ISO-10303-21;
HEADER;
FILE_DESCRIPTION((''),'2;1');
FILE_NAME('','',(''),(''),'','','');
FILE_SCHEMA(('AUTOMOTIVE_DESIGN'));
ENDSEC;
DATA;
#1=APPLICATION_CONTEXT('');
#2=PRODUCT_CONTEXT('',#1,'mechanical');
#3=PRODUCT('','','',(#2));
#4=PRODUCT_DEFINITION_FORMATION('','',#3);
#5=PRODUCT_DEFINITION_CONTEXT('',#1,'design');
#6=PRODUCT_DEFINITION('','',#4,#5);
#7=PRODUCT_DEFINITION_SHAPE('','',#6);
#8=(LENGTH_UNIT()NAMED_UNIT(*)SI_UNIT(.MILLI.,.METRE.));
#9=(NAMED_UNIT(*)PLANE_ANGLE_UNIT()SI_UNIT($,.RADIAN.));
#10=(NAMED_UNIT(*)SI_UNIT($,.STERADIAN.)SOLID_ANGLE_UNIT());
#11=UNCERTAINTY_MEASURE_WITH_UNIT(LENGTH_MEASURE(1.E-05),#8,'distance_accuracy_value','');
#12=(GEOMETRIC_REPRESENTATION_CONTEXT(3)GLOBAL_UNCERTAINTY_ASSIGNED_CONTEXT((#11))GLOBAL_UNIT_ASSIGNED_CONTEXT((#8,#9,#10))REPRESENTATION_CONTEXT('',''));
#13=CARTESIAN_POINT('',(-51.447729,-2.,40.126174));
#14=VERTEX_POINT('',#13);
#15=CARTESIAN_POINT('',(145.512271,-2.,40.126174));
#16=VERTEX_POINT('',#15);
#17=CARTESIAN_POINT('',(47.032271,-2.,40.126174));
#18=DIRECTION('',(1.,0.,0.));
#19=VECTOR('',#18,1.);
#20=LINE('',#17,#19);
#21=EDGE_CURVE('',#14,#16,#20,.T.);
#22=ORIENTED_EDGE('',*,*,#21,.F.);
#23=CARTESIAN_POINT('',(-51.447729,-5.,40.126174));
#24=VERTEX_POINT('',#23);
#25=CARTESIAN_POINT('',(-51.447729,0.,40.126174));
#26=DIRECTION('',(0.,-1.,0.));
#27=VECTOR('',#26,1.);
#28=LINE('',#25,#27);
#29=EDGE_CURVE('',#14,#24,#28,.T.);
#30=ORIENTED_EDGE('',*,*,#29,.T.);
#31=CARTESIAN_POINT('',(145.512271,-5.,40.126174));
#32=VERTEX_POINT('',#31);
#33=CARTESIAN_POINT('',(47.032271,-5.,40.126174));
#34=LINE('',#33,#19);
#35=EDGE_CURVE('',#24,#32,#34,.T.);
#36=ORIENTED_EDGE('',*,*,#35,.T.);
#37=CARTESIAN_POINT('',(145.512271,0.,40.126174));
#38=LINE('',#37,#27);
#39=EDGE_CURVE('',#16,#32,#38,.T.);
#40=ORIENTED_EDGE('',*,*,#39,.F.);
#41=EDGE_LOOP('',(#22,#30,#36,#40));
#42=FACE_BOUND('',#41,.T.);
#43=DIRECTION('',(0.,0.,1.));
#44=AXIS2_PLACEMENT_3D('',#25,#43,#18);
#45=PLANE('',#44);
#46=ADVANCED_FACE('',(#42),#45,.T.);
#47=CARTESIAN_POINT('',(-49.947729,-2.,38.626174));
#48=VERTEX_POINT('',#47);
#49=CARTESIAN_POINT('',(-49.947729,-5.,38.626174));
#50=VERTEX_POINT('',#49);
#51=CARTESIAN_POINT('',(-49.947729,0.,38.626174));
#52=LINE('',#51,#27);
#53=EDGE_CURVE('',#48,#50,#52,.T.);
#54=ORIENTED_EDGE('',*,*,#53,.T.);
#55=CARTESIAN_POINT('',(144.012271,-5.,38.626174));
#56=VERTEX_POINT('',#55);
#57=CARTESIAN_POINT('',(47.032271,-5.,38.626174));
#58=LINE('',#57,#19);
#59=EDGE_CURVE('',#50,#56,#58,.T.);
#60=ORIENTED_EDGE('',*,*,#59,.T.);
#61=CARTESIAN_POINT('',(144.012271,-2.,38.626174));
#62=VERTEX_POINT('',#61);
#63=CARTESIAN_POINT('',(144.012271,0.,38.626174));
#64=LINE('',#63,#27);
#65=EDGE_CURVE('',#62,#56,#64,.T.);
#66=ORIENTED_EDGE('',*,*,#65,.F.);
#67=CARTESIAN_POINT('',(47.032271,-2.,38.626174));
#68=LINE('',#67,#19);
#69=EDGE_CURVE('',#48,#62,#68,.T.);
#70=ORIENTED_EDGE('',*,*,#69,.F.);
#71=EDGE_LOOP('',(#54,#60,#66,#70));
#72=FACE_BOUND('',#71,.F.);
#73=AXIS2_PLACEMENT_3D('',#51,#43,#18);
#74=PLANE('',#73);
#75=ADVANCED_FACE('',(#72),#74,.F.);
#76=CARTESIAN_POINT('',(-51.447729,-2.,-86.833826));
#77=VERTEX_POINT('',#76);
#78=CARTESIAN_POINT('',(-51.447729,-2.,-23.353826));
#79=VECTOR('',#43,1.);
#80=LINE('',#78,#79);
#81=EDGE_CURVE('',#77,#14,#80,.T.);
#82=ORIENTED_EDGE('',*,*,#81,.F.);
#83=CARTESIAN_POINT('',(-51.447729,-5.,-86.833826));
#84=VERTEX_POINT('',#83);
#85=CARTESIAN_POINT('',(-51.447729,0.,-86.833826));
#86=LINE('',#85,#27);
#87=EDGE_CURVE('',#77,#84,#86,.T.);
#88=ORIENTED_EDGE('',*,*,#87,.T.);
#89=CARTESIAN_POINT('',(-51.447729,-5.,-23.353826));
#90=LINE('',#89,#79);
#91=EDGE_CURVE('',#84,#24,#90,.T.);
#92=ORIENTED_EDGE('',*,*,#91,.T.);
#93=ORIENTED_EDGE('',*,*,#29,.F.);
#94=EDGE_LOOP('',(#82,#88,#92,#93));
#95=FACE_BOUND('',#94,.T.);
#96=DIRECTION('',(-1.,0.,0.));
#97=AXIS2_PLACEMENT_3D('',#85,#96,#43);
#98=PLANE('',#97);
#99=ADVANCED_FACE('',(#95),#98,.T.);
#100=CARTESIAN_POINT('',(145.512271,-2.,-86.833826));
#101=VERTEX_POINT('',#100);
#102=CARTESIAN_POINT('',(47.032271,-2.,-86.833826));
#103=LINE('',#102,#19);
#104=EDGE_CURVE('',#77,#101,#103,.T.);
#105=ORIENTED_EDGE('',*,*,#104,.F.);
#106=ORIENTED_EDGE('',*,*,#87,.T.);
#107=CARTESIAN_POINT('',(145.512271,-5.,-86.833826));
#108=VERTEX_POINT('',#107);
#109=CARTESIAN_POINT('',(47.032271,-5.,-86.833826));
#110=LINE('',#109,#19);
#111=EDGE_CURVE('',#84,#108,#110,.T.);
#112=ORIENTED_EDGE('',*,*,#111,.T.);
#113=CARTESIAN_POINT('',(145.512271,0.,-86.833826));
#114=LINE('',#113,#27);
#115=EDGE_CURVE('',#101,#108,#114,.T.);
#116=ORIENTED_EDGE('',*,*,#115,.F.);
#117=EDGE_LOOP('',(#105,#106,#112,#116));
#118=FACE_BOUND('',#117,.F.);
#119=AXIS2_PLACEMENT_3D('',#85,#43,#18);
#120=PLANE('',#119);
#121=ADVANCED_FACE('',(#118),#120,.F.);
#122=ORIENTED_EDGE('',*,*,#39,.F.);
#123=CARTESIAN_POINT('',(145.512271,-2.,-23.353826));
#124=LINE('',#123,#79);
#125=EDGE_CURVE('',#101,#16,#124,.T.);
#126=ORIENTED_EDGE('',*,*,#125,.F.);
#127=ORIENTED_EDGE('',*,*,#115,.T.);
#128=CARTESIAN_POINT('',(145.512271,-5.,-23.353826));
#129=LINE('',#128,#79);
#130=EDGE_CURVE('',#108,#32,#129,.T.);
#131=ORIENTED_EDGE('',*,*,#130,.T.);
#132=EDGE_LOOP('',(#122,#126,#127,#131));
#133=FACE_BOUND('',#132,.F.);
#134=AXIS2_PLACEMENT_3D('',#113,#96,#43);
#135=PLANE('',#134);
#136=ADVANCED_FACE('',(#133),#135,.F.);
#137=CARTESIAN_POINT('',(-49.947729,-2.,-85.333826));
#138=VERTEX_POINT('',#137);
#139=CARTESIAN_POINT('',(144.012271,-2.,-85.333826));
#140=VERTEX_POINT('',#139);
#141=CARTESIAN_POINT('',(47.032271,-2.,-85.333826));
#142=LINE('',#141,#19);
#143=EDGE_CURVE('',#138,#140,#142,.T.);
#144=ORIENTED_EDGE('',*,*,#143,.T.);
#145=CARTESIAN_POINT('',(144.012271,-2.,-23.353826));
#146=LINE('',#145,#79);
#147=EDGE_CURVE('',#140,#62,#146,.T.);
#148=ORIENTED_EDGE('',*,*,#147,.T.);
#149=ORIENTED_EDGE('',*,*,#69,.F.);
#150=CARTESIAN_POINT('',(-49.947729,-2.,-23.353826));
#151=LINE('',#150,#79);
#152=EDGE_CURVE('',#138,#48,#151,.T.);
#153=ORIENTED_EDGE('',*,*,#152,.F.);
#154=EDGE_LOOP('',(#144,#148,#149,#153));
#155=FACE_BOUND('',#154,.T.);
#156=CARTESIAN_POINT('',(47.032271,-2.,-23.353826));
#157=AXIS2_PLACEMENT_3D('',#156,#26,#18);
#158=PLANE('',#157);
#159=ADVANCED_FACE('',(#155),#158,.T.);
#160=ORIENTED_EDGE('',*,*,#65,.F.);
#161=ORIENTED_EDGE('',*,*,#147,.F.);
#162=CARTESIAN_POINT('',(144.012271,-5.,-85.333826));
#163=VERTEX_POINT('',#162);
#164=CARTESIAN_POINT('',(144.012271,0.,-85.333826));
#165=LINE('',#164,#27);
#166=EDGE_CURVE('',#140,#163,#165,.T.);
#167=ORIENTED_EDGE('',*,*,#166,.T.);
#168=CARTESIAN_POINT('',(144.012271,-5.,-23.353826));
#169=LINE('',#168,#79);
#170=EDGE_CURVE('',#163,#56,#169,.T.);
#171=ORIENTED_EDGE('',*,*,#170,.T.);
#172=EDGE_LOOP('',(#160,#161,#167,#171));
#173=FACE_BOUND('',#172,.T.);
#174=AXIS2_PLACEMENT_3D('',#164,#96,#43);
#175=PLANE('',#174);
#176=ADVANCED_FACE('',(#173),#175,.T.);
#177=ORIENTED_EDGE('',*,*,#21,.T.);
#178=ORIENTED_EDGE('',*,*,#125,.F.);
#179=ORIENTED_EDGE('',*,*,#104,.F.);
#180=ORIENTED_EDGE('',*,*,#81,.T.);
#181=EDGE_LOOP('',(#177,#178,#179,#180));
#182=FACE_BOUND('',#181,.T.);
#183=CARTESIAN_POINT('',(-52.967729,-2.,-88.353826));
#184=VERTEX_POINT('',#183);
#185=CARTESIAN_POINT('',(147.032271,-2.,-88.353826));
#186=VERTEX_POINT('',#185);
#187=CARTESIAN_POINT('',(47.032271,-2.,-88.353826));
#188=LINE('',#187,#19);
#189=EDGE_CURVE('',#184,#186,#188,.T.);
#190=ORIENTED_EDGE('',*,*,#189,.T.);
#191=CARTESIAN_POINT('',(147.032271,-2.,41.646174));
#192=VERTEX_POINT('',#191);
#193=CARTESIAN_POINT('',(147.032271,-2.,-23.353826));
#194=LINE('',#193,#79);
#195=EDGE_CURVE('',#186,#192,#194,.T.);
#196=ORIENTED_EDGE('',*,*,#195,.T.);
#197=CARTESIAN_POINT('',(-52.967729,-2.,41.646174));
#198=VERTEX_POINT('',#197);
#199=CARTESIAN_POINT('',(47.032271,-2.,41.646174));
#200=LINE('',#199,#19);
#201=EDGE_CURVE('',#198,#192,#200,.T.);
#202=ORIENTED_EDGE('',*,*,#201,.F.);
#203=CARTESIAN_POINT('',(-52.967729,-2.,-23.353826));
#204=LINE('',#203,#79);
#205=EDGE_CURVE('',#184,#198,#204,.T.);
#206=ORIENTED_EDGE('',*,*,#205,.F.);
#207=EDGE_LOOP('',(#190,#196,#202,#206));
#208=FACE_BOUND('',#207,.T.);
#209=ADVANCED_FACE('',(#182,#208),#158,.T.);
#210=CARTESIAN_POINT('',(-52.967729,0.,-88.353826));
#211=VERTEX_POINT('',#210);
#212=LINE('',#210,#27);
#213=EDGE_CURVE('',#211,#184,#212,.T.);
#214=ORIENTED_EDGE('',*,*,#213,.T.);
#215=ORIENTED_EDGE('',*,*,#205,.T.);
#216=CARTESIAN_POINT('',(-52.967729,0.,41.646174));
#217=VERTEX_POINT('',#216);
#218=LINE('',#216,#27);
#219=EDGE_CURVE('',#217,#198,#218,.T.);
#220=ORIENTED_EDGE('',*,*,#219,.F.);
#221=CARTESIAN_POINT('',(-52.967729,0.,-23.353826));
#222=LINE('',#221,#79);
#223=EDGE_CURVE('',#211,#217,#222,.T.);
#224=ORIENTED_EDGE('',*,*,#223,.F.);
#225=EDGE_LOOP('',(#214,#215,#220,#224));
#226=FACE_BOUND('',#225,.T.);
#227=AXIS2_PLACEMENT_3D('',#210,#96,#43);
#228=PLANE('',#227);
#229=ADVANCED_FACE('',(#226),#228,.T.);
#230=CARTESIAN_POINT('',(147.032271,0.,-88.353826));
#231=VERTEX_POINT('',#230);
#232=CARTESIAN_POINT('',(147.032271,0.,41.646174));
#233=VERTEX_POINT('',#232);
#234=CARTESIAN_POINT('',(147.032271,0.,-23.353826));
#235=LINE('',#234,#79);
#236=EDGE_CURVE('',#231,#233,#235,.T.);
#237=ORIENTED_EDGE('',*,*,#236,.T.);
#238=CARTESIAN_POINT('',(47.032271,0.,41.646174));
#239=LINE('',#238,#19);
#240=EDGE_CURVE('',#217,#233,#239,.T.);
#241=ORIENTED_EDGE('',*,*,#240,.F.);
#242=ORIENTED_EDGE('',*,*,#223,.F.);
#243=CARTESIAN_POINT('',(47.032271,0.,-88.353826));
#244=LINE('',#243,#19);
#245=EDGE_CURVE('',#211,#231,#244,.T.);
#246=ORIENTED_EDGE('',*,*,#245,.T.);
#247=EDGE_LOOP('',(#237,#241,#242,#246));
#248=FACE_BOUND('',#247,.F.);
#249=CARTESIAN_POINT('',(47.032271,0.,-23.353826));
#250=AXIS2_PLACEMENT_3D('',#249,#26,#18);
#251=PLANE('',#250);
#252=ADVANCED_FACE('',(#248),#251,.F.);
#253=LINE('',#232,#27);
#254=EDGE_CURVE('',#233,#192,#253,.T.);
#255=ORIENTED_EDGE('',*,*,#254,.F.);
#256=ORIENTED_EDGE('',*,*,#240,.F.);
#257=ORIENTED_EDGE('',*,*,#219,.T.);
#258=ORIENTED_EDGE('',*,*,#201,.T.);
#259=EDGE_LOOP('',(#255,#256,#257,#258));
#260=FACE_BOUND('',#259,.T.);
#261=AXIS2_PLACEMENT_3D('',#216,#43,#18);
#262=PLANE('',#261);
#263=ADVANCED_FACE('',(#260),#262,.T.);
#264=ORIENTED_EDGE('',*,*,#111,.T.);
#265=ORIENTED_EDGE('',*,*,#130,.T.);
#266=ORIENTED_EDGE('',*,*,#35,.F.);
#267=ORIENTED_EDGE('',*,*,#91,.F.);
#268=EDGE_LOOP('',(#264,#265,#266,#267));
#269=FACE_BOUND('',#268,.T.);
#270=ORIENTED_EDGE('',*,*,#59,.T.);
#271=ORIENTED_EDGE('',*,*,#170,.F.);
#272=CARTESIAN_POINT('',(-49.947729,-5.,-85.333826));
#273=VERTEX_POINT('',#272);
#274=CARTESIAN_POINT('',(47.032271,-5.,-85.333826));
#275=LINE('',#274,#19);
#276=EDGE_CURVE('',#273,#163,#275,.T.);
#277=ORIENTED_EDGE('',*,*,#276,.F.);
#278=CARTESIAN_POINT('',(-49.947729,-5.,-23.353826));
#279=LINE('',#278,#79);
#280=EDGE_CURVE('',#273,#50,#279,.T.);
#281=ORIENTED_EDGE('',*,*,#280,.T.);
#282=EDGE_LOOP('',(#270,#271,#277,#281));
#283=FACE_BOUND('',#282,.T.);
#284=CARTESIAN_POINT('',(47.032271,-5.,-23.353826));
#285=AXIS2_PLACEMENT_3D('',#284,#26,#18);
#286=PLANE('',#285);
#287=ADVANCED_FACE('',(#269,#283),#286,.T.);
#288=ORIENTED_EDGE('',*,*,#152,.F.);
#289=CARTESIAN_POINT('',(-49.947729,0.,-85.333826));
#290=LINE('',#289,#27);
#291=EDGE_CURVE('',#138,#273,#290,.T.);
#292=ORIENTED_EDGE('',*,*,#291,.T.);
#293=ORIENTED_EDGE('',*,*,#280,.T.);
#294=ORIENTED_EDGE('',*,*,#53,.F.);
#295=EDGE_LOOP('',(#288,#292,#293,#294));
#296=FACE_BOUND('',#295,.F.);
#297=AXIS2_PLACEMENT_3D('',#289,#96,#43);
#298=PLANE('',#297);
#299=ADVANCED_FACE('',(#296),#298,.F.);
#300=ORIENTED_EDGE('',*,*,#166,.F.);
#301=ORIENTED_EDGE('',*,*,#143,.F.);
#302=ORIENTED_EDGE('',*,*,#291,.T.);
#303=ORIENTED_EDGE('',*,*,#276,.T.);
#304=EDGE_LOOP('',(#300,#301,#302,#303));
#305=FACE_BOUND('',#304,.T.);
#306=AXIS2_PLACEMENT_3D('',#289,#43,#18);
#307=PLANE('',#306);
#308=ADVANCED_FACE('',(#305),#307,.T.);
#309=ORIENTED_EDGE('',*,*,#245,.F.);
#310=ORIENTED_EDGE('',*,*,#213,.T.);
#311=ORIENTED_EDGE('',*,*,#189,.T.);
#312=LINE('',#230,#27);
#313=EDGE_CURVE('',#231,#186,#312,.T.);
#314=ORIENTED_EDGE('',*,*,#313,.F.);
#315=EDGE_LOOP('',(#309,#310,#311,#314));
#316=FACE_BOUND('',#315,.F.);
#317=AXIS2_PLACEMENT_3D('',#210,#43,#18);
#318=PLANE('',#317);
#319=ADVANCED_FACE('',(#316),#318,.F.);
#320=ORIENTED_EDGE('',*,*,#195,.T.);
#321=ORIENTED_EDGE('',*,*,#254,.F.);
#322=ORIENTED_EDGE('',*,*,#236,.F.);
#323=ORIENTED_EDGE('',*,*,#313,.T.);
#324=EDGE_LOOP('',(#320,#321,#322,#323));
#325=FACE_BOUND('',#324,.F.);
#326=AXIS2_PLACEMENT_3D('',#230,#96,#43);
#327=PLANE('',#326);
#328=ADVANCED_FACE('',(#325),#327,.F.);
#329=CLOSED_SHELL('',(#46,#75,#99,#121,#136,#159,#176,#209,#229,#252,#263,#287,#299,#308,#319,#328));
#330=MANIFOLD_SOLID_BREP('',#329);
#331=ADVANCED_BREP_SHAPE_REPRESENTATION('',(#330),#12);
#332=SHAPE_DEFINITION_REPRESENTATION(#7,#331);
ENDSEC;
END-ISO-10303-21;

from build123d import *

# Parameters (mm, degrees)
F0_W     = 196.96
F0_H     = 126.96
F0_W_2   = 193.96
F0_H_2   = 123.96
F1_DEPTH = 5
F0_W_3   = 200
F0_H_3   = 130
F2_DEPTH = 2


with BuildPart() as f1:
    # F0 (on Front) → F1 (new body)
    with BuildSketch(Plane.XZ):
        with Locations((47.032271, -23.353826)):
            Rectangle(F0_W, F0_H)
        with Locations((47.032271, -23.353826)):
            Rectangle(F0_W_2, F0_H_2, mode=Mode.SUBTRACT)
    extrude(amount=F1_DEPTH)

    # F0 (on Front) → F2 (join)
    with BuildSketch(Plane.XZ):
        with Locations((47.032271, -23.353826)):
            Rectangle(F0_W_3, F0_H_3)
        with Locations((47.032271, -23.353826)):
            Rectangle(F0_W, F0_H, mode=Mode.SUBTRACT)
        with Locations((47.032271, -23.353826)):
            Rectangle(F0_W_2, F0_H_2)
    extrude(amount=F2_DEPTH)


solid = f1.part
